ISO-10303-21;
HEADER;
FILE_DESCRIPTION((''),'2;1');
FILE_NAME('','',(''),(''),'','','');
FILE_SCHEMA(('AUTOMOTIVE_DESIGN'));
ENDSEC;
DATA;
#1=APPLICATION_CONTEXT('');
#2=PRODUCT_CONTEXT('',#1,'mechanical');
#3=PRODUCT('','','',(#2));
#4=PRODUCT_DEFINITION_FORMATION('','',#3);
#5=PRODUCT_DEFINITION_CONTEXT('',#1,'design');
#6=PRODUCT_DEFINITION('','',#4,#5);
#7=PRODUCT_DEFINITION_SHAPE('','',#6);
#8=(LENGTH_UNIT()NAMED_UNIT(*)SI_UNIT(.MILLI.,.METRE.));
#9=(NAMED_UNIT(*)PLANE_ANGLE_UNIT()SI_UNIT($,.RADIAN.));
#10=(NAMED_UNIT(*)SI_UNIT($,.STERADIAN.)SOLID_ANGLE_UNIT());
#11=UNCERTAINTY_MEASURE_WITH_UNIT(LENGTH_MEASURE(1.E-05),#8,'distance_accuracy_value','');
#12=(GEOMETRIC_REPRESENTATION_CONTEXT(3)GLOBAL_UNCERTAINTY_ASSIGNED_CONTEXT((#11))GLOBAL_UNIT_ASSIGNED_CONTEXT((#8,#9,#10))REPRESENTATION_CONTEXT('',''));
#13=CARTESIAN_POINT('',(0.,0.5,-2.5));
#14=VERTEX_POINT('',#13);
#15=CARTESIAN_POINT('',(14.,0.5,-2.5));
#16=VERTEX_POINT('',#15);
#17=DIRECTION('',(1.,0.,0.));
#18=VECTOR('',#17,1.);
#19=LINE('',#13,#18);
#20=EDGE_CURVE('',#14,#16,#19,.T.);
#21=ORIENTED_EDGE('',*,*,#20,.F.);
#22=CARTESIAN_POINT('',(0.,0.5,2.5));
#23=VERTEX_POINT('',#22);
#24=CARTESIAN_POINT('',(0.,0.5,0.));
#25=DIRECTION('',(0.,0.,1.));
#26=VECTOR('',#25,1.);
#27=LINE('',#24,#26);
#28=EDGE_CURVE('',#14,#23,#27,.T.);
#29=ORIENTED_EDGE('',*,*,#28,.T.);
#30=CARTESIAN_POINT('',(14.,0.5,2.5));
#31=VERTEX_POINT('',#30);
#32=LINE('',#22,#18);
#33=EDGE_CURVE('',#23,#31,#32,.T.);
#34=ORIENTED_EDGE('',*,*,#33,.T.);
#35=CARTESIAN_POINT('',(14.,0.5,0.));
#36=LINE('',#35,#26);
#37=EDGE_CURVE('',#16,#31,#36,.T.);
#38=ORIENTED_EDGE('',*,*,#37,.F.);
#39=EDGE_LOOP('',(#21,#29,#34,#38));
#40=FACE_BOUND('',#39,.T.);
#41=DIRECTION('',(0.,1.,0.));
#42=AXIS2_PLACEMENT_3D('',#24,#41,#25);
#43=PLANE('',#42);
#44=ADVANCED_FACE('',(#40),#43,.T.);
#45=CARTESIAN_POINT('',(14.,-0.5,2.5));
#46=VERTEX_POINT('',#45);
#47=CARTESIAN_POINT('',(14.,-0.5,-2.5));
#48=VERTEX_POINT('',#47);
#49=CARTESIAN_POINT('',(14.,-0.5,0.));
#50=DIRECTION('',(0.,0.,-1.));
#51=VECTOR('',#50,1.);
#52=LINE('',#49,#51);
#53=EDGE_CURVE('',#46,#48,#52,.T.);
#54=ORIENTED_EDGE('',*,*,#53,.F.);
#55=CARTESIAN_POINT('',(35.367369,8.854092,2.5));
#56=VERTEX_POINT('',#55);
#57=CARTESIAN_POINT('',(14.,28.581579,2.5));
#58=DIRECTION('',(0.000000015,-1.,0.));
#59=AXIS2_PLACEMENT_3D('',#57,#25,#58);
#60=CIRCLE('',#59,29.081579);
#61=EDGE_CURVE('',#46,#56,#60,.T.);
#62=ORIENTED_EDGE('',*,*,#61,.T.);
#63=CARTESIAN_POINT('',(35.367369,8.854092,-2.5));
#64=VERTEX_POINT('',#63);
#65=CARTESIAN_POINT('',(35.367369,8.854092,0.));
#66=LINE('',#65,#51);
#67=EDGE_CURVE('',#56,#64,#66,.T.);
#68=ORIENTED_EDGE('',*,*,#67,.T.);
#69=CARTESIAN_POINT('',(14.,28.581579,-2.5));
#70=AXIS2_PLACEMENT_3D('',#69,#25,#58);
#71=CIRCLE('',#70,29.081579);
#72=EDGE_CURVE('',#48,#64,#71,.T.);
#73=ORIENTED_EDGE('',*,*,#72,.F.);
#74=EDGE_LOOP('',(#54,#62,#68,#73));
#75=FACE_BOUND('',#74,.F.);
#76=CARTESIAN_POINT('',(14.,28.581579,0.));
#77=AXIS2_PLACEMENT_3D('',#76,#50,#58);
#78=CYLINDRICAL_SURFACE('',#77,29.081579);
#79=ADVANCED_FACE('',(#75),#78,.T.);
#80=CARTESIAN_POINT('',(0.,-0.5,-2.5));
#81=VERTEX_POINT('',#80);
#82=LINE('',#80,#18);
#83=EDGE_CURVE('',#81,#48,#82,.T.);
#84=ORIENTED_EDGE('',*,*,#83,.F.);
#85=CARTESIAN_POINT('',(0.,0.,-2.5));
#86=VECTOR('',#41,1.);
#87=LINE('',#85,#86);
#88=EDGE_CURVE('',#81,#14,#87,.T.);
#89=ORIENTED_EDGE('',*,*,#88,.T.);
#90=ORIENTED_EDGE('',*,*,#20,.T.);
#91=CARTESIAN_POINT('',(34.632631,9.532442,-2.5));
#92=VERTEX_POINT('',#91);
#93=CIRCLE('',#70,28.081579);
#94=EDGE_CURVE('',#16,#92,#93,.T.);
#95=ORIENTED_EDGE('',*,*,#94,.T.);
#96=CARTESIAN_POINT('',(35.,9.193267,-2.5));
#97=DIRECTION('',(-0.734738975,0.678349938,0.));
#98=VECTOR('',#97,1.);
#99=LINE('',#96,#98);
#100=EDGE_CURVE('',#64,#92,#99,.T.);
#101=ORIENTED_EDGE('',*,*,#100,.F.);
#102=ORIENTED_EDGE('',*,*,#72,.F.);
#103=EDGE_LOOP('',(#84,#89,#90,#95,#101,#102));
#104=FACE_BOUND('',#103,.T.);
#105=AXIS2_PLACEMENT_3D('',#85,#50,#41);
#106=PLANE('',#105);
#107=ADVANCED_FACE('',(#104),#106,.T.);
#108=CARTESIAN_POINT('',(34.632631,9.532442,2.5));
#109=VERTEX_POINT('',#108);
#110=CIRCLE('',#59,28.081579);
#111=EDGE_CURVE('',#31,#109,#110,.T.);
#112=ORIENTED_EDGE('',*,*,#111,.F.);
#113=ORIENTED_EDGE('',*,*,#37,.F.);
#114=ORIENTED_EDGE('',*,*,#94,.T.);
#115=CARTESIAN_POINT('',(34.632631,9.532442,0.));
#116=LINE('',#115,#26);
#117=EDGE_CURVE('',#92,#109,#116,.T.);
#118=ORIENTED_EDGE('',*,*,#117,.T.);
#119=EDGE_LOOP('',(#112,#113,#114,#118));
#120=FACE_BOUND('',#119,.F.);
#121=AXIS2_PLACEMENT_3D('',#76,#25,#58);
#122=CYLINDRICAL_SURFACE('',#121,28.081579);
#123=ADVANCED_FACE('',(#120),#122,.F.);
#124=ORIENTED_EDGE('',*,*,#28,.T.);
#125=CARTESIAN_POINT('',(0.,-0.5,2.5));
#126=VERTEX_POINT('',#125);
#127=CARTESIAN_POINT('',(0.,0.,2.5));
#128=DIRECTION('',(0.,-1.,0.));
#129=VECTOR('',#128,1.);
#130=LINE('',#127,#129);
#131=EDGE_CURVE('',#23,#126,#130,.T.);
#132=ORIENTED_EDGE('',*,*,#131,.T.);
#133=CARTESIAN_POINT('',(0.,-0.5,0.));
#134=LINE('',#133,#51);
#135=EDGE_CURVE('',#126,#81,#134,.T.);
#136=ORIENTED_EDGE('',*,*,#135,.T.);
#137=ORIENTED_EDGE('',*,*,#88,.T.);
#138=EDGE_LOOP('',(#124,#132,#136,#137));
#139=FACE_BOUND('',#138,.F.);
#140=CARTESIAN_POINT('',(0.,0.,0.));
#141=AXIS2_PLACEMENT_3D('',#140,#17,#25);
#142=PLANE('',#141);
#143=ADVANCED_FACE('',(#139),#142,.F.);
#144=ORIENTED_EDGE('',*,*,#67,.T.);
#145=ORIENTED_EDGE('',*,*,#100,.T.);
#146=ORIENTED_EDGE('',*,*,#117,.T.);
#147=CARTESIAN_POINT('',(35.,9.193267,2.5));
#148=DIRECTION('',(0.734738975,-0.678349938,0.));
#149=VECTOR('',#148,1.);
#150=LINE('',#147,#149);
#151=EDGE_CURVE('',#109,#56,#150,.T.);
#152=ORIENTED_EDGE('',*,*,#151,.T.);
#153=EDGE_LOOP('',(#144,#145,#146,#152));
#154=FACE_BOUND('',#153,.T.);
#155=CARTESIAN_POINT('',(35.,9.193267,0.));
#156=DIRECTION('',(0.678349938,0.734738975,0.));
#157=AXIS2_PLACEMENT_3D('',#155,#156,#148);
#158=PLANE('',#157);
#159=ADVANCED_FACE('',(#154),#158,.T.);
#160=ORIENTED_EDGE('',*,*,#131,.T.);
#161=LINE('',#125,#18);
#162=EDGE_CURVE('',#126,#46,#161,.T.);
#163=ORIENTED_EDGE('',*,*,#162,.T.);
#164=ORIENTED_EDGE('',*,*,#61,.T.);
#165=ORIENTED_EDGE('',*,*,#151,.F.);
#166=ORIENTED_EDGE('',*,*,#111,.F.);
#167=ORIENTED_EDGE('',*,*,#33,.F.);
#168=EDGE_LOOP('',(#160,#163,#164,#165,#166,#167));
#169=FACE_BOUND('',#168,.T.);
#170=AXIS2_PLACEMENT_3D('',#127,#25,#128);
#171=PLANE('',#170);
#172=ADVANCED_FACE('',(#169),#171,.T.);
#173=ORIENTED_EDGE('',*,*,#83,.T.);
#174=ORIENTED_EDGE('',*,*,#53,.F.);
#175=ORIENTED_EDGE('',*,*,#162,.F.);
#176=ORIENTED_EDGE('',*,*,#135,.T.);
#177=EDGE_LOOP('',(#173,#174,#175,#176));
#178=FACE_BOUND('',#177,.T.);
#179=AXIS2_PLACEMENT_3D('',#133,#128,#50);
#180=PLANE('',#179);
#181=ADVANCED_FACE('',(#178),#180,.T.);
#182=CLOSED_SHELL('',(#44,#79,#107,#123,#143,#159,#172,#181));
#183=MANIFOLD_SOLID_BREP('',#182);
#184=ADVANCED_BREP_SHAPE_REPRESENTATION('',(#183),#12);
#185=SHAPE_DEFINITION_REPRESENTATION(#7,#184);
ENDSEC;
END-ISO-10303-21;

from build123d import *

# Parameters (mm, degrees)
F1_W = 1
F1_H = 5


with BuildPart() as f2:
    # F2: sweep along a path in F0
    with BuildLine(Plane.XY) as f2_path:
        Line((0, 0), (14, 0))
        ThreePointArc((14, 0), (25.46207, 2.398997), (35, 9.193267))
    # F1 (on Right) → F2 (sweep)
    with BuildSketch(Plane.YZ):
        Rectangle(F1_W, F1_H)
    sweep(path=f2_path.line)


solid = f2.part
